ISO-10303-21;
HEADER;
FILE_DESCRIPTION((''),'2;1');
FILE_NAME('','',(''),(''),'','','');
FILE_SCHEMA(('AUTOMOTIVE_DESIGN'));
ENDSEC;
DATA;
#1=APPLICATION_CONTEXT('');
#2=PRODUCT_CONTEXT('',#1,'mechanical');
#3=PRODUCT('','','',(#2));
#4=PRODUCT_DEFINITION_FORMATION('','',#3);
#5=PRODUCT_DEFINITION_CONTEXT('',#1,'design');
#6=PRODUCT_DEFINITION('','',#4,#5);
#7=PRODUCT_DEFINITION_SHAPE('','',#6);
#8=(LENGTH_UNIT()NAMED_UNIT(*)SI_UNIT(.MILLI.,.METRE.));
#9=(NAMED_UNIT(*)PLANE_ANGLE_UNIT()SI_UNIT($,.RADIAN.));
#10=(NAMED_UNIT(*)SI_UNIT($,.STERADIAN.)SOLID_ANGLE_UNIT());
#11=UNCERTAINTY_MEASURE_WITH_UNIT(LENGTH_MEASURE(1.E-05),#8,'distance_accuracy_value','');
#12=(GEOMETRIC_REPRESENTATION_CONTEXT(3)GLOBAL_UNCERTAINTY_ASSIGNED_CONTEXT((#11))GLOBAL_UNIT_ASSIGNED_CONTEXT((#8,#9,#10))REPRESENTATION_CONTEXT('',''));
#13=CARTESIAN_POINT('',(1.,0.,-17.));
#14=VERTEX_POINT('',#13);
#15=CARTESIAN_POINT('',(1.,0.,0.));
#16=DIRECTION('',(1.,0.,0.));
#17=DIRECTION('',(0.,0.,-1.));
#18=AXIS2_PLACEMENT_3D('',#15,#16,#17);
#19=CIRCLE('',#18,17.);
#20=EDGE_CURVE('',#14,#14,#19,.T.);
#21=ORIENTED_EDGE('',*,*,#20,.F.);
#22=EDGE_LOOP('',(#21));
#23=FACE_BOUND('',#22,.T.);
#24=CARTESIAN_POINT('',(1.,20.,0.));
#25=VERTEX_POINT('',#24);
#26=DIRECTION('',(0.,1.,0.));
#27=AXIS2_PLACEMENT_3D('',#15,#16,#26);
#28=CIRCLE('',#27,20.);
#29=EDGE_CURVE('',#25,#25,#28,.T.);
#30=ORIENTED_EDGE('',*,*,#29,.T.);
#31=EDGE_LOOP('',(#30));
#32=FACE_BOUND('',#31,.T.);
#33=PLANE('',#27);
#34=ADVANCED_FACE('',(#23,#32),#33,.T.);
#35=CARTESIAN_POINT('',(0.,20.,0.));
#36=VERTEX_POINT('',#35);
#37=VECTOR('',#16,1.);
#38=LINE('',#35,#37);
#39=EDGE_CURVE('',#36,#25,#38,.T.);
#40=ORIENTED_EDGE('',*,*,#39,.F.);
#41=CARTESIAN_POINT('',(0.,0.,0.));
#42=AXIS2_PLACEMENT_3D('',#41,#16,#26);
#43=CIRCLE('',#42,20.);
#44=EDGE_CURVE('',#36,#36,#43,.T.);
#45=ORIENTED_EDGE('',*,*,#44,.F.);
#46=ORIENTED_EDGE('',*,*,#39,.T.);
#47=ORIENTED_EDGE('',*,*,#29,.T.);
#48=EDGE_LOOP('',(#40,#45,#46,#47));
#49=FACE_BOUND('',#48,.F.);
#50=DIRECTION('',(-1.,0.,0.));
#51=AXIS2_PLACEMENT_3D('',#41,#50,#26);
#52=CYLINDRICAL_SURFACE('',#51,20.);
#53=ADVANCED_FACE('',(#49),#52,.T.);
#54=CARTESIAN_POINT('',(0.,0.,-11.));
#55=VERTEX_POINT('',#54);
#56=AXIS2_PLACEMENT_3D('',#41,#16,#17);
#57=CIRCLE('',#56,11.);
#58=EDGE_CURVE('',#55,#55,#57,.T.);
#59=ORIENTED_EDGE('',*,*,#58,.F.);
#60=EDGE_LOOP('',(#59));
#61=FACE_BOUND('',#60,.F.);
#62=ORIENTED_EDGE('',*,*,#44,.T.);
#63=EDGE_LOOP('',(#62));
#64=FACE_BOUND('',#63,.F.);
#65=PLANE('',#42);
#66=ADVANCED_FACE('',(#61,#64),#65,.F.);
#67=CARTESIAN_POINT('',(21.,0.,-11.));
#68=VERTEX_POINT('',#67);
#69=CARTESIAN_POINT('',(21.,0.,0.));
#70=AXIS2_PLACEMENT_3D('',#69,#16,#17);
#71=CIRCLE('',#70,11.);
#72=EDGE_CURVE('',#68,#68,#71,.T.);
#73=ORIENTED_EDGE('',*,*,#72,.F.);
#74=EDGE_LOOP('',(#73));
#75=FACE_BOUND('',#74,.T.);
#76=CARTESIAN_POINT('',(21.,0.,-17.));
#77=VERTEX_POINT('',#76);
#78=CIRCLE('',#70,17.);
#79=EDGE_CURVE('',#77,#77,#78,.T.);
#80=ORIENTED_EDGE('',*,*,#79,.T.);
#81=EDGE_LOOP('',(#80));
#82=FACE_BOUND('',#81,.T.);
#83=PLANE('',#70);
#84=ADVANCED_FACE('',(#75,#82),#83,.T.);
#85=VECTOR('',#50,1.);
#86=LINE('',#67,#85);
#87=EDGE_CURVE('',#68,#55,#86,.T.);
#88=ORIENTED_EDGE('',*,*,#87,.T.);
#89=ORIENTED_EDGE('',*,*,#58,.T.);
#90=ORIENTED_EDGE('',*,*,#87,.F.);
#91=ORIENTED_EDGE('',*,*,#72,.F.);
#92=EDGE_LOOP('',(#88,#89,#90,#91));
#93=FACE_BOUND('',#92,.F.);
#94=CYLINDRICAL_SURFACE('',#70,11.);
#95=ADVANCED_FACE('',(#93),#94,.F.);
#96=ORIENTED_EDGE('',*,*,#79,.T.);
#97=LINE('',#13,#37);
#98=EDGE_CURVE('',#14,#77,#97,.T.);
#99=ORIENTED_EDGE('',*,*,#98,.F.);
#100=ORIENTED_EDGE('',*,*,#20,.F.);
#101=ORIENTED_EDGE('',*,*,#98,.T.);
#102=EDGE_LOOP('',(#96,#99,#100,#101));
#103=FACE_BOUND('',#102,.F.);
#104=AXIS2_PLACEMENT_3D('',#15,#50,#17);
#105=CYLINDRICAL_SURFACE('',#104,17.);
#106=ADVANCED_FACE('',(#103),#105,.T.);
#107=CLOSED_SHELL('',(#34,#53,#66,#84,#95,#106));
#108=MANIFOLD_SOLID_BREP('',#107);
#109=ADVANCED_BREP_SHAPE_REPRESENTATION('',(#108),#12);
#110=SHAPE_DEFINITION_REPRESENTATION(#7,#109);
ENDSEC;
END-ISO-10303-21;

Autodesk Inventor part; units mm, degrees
ref_plane "YZ Plane" through (0, 0, 0) normal (1, 0, 0) x (0, 1, 0)
ref_plane "XZ Plane" through (0, 0, 0) normal (0, 1, 0) x (-1, 0, 0)
ref_plane "XY Plane" through (0, 0, 0) normal (0, 0, 1) x (1, 0, 0)
sketch "Skizze1" plane through (0, 0, 0) normal (1, 0, 0) x (0, 1, 0)
  circle A0 centre (0, 0) radius 20
  dimension "d0" = 40
extrude "Extrusion1" add sketch "Skizze1" along normal blind 1
sketch "Skizze2" plane through (1, 0, 0) normal (1, 0, 0) x (0, 0, -1)
  circle A0 centre (0, 0) radius 20 projected
  circle A1 centre (0, 0) radius 17
  dimension "d3" = 34
extrude "Extrusion2" add sketch "Skizze2" along normal blind 20 contours A1
sketch "Skizze5" plane through (0, 0, 0) normal (-1, 0, 0) x (0, 0, 1)
  circle A0 centre (0, 0) radius 20 projected
  circle A1 centre (0, 0) radius 5
  dimension "d12" = 10
extrude "Extrusion5" add sketch "Skizze5" along normal blind 10 contours A1
sketch "Skizze6" plane through (21, 0, 0) normal (1, 0, 0) x (0, 0, -1)
  circle A0 centre (0, 0) radius 17 projected
  circle A1 centre (0, 0) radius 11
  dimension "d15" = 22
extrude "Extrusion6" cut sketch "Skizze6" against normal through all contours A1
properties part number "Rolle_schieber" material "PC/ABS-Kunststoff"
